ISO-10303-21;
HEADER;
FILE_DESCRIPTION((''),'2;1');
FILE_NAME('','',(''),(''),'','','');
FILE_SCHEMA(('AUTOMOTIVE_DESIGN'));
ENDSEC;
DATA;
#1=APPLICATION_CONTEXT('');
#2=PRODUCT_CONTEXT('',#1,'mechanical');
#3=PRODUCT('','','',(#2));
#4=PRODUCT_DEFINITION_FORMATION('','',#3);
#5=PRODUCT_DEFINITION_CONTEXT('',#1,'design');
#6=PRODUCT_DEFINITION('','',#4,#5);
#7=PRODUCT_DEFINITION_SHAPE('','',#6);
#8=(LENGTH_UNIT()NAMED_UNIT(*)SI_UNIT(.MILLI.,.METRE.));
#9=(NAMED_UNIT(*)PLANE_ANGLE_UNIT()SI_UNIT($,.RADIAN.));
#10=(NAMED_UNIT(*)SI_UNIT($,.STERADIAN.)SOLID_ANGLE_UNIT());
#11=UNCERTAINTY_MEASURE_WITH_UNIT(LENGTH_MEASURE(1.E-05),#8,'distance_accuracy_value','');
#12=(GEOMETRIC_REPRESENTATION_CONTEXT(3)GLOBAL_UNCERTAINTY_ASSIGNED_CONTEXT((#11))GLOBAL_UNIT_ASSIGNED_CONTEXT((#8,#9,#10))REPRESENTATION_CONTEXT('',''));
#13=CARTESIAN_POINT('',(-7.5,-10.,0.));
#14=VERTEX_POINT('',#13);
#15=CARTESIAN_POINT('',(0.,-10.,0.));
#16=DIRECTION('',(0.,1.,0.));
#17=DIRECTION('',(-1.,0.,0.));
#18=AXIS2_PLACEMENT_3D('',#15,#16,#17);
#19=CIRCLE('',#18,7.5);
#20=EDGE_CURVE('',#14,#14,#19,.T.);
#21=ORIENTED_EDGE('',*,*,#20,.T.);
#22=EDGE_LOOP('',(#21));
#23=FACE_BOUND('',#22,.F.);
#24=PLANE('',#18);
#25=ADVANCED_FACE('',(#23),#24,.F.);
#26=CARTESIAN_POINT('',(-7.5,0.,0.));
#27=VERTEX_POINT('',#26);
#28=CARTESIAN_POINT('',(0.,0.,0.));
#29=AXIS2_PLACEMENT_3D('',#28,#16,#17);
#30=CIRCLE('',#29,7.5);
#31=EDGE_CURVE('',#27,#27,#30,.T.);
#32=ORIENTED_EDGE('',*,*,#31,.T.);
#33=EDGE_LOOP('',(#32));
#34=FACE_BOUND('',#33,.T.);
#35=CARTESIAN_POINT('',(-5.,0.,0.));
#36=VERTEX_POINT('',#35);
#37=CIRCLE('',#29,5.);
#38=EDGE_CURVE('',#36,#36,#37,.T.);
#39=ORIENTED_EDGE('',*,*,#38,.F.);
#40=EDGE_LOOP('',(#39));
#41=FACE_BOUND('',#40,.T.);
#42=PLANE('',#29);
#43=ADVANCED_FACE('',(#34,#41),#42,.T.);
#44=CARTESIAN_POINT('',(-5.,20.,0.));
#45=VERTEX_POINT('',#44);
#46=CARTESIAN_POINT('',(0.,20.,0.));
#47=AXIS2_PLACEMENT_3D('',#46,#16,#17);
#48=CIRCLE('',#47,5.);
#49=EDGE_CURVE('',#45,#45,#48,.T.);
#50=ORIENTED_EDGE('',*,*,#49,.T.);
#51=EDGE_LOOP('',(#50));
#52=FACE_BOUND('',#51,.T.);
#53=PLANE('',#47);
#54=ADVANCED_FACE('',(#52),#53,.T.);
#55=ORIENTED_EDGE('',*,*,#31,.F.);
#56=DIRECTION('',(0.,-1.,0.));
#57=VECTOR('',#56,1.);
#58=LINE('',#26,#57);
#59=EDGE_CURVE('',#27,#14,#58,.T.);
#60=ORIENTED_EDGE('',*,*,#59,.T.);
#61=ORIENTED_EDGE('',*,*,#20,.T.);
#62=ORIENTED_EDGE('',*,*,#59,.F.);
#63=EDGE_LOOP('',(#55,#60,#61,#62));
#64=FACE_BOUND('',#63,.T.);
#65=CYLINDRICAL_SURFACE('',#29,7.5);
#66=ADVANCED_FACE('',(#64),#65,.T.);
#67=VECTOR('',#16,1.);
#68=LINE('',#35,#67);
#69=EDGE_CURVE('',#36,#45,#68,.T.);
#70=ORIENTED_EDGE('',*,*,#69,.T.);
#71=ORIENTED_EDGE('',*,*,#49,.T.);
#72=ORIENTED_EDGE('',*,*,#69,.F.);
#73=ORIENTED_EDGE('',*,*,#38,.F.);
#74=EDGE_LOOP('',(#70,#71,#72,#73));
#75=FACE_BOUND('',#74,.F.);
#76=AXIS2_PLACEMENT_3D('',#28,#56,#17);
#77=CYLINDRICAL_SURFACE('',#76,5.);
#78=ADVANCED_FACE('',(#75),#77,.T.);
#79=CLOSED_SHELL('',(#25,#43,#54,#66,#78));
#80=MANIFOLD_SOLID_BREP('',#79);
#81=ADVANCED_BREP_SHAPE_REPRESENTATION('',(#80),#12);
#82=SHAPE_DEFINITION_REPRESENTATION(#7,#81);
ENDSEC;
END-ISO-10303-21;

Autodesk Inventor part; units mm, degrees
ref_plane "YZ Plane" through (0, 0, 0) normal (1, 0, 0) x (0, 1, 0)
ref_plane "XZ Plane" through (0, 0, 0) normal (0, 1, 0) x (-1, 0, 0)
ref_plane "XY Plane" through (0, 0, 0) normal (0, 0, 1) x (1, 0, 0)
sketch "Skizze1" plane through (0, 0, 0) normal (0, 1, 0) x (-1, 0, 0)
  circle A0 centre (0, 0) radius 5
  circle A1 centre (0, 0) radius 7.5
  dimension "d0" = 10
  dimension "d1" = 15
extrude "Extrusion1" add sketch "Skizze1" along normal blind 20 contours A0
extrude "Extrusion2" add sketch "Skizze1" against normal blind 10 contours A0 | A1
properties part number "stopfen hinten"
